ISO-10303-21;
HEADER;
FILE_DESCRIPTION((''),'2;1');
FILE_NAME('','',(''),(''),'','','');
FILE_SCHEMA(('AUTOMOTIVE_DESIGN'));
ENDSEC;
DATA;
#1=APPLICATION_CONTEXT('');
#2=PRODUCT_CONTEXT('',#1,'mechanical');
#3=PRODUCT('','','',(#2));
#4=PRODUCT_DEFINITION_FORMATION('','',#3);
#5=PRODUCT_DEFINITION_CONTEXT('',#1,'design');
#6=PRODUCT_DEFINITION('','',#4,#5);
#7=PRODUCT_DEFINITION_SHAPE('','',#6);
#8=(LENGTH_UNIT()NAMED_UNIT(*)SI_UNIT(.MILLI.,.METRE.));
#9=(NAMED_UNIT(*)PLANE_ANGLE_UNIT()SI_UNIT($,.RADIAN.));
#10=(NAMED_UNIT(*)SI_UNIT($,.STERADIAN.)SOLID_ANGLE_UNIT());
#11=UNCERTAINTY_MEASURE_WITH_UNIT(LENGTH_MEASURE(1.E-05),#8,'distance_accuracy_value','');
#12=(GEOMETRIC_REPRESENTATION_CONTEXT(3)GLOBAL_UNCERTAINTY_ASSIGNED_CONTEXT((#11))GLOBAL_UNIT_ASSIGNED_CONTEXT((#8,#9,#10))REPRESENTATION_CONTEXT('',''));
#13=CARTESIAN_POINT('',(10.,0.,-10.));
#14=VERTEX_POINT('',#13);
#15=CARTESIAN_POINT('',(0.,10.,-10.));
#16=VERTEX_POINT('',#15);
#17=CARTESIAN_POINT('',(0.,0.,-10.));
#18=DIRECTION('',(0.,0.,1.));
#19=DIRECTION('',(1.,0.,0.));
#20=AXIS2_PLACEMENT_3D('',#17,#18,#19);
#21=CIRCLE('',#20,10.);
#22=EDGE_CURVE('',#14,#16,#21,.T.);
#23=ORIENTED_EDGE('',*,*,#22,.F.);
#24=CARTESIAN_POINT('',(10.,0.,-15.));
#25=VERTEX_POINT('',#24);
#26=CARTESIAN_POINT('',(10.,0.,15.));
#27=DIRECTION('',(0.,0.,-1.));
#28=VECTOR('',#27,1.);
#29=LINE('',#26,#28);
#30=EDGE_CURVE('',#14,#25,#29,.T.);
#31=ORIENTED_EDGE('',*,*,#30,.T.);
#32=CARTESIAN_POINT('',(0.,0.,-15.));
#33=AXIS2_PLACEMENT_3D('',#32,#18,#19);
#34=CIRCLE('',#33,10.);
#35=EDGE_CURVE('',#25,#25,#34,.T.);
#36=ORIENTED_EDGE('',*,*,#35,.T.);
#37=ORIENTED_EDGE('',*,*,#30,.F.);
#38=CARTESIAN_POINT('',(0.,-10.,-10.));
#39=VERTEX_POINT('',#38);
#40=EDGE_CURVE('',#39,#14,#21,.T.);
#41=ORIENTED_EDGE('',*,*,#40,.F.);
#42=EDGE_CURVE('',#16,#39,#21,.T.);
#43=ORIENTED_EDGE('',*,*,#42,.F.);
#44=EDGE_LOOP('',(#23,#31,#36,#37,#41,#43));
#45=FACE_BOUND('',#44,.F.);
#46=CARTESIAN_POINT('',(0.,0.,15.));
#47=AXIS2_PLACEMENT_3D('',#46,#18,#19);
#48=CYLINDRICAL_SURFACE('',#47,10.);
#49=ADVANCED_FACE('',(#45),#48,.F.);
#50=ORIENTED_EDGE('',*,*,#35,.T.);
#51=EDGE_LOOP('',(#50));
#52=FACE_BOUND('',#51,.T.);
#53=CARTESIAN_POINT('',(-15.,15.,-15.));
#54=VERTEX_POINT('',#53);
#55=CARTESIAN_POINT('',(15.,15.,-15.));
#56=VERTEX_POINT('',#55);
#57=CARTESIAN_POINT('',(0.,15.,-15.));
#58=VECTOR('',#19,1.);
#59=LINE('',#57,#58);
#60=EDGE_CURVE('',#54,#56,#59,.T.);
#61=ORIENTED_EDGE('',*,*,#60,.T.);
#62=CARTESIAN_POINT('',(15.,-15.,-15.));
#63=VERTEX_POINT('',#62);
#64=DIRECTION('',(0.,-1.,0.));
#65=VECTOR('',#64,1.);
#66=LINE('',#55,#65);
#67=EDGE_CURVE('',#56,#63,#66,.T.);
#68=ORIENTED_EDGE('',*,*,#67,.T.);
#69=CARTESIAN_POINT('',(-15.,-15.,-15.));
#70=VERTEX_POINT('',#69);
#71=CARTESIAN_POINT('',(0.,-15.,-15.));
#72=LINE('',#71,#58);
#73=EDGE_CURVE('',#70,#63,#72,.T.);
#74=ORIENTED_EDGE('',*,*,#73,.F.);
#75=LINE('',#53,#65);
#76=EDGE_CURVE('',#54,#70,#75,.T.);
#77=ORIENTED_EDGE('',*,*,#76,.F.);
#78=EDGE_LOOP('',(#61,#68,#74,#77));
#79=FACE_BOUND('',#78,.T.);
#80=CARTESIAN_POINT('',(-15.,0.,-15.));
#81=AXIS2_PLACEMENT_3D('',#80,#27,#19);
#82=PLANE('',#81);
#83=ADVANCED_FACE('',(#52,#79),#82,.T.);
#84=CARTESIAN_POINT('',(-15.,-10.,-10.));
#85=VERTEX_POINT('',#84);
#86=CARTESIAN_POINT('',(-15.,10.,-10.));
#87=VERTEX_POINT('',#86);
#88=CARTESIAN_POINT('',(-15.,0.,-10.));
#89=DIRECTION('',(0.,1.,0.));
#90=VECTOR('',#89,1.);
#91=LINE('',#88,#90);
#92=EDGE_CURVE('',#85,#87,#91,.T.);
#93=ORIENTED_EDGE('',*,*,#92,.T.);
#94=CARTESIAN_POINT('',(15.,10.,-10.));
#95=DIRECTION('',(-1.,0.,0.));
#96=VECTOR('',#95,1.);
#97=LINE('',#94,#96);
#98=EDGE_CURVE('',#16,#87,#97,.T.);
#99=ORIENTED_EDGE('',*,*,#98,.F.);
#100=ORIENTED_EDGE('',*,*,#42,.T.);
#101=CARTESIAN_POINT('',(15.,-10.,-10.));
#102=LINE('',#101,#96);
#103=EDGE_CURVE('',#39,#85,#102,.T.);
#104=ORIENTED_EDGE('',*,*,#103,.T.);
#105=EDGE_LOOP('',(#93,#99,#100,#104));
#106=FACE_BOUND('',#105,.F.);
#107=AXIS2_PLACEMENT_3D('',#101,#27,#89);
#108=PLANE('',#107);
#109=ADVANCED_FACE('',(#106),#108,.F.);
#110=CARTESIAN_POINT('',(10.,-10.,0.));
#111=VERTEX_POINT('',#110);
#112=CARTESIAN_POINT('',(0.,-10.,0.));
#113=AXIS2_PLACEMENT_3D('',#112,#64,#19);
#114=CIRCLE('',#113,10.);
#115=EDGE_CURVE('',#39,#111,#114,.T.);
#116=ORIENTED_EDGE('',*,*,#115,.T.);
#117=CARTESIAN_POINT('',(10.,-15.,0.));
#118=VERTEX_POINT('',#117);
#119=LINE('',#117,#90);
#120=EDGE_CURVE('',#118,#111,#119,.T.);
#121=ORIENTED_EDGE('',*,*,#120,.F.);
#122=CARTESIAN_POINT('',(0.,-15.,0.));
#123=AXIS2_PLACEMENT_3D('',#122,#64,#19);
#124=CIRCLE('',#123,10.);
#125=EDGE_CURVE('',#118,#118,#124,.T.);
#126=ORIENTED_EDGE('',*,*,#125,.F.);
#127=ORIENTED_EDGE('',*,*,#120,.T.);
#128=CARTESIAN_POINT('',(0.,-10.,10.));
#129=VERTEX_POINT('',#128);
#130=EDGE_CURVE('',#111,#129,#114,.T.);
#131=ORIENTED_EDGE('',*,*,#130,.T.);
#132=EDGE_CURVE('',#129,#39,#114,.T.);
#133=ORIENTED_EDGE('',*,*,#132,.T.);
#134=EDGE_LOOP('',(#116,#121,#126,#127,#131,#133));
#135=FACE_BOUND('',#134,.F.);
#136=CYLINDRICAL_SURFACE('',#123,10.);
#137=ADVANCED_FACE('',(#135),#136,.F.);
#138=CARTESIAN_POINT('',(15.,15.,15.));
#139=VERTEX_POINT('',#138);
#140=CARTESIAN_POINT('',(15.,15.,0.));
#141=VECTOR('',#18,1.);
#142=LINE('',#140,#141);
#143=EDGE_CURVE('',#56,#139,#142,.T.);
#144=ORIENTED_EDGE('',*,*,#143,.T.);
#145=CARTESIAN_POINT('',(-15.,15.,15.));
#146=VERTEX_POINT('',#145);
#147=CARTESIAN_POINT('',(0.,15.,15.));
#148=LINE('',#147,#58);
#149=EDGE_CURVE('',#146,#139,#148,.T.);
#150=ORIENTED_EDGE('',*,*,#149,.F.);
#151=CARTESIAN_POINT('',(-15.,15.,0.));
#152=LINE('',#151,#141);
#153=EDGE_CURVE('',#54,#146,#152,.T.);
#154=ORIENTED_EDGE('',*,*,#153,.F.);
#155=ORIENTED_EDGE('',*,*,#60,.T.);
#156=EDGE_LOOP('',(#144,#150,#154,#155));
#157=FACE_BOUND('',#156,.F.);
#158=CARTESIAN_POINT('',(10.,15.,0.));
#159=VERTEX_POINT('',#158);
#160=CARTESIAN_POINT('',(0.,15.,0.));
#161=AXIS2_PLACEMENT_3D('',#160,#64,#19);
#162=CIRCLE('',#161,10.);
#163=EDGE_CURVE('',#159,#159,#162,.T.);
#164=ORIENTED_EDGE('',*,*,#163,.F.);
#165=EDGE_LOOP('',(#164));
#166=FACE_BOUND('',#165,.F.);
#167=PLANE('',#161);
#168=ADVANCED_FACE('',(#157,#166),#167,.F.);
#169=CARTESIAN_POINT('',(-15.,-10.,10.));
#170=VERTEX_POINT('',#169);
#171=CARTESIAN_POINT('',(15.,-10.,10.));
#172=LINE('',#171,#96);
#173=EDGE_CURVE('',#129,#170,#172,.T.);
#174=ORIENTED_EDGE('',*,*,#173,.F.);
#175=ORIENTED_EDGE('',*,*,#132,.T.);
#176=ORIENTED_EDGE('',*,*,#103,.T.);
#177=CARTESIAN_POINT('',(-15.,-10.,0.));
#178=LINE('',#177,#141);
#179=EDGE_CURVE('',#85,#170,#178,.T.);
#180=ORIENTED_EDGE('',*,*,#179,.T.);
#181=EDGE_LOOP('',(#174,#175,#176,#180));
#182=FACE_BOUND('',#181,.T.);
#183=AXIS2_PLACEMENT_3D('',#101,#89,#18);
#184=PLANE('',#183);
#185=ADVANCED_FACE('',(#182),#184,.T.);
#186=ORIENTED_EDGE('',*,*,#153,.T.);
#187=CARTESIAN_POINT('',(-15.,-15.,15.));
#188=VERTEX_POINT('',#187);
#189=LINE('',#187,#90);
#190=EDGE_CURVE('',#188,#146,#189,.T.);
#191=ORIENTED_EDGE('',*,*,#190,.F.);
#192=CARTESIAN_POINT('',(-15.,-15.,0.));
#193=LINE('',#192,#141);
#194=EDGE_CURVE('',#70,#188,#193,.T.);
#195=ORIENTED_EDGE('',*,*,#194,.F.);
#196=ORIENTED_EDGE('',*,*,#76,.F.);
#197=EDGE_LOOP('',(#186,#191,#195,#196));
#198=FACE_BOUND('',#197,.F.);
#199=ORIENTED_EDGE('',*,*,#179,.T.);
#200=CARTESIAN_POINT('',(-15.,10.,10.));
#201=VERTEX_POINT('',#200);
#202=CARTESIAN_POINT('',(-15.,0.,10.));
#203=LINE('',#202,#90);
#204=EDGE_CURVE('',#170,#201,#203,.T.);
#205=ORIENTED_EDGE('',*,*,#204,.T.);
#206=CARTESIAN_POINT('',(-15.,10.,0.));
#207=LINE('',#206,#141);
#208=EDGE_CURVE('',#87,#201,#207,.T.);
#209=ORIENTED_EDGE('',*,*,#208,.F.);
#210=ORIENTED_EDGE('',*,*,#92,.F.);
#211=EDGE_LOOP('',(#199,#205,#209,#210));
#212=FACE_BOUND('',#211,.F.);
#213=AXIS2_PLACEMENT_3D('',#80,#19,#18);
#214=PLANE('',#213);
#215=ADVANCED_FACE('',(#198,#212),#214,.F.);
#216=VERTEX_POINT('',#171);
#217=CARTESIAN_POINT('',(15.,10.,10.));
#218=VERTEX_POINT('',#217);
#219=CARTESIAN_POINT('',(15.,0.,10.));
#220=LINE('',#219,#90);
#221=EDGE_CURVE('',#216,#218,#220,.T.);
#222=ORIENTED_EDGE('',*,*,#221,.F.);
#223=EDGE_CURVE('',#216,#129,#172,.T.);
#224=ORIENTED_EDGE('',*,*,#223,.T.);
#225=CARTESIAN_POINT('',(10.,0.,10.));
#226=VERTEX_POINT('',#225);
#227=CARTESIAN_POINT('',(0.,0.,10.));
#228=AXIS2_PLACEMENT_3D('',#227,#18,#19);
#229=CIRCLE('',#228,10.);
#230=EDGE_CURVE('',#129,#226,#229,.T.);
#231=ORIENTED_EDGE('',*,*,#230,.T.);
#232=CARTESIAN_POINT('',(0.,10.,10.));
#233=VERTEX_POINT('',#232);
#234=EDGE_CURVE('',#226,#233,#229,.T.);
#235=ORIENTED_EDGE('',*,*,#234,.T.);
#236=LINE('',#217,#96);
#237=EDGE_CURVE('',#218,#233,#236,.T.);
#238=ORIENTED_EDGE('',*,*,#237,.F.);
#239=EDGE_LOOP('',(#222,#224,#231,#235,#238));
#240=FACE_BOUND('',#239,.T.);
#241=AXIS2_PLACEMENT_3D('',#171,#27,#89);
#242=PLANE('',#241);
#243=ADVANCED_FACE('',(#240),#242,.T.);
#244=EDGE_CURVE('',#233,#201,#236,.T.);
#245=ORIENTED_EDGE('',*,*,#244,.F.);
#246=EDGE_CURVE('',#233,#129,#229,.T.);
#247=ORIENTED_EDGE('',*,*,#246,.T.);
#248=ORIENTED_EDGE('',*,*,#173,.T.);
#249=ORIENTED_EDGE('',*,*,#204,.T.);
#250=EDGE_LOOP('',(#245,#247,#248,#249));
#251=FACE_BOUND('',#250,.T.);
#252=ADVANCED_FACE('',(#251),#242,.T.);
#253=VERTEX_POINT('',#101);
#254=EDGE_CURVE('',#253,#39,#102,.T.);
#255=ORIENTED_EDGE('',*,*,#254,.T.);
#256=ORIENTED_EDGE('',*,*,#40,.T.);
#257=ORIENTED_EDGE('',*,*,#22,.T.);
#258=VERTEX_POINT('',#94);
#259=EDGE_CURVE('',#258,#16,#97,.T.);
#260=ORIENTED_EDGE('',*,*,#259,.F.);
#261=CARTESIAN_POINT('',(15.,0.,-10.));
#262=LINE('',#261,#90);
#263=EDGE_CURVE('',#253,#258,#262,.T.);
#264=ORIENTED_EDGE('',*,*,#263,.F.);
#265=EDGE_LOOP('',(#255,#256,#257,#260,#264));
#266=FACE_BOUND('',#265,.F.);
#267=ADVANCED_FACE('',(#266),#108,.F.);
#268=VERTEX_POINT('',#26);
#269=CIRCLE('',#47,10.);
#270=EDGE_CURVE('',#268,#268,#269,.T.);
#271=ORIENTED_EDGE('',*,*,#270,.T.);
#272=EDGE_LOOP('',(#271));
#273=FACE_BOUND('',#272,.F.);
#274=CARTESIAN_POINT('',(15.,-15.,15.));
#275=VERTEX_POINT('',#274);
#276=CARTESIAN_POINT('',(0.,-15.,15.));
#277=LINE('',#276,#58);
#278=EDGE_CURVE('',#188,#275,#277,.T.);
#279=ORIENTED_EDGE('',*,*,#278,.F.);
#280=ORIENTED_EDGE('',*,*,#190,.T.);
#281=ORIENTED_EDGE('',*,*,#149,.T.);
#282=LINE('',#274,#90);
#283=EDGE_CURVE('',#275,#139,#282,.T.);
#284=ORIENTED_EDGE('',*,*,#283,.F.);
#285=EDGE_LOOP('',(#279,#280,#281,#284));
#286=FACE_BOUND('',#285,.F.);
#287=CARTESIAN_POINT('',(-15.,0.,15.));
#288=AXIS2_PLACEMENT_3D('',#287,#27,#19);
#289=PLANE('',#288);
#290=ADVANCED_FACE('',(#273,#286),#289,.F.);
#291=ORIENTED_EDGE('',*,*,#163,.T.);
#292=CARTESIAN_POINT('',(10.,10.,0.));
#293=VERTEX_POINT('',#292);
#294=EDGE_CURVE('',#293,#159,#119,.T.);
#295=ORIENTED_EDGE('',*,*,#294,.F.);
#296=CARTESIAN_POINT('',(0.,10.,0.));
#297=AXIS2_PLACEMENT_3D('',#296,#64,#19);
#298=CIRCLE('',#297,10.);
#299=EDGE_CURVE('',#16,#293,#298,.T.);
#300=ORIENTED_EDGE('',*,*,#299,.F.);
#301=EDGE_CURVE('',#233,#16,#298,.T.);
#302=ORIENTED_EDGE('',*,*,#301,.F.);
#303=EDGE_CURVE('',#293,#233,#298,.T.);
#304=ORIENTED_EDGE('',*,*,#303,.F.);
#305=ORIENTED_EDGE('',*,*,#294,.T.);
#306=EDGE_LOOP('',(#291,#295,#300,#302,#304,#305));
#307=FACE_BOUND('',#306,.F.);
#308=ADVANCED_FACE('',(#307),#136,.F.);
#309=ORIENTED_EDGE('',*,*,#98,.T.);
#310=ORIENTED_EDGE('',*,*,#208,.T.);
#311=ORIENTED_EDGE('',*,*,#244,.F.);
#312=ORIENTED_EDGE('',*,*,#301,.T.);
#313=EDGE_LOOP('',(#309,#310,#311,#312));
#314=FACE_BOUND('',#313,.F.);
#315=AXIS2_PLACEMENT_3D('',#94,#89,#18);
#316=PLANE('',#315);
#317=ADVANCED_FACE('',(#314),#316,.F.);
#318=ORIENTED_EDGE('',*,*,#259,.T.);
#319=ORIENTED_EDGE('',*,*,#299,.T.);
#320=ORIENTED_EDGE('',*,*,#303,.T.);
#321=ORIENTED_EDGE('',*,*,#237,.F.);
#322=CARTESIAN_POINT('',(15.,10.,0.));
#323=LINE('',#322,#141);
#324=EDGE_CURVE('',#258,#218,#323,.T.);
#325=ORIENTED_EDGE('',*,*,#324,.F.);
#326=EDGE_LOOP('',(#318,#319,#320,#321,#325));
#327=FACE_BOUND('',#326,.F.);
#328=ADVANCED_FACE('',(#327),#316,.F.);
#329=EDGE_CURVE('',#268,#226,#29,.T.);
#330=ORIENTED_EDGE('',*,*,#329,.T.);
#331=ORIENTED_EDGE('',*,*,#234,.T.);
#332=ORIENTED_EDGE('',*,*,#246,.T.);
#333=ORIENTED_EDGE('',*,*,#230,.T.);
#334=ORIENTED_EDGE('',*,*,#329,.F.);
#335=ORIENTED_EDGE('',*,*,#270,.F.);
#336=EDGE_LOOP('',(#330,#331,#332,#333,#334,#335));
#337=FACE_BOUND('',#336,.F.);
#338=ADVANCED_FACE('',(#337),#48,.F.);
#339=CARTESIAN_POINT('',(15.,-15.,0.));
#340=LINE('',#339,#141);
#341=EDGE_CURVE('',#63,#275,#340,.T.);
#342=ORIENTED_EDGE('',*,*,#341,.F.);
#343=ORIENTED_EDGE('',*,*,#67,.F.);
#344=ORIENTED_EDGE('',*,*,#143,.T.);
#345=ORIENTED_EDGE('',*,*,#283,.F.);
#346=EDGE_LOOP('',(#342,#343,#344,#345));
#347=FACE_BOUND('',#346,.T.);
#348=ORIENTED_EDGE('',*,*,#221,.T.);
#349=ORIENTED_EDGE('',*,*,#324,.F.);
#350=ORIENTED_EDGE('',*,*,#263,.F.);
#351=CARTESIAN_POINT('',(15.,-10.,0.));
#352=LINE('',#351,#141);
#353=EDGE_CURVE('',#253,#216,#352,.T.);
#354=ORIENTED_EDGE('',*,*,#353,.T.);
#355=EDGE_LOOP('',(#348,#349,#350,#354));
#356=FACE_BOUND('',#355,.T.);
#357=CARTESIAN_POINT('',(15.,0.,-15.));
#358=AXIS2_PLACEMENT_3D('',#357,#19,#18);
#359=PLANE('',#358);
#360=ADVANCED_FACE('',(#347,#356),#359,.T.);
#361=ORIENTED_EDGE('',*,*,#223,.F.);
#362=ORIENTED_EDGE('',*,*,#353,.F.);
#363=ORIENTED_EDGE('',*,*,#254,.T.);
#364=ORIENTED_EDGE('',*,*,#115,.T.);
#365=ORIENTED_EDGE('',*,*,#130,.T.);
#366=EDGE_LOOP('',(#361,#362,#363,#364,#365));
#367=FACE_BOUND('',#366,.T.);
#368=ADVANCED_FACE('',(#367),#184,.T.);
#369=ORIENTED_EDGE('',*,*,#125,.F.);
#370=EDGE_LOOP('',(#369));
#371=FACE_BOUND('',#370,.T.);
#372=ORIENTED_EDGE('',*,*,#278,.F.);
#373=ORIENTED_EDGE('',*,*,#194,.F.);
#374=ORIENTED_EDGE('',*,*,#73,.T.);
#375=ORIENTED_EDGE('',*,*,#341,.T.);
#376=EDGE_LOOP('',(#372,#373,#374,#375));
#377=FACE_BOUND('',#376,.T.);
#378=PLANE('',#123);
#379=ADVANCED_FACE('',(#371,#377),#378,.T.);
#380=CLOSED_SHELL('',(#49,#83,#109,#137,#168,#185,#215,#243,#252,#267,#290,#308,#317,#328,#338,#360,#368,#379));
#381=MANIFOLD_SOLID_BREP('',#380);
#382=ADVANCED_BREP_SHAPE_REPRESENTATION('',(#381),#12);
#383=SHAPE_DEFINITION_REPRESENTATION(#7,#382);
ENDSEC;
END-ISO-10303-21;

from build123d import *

# Parameters (mm, degrees)
F0_W     = 30
F0_H     = 30
F1_DEPTH = 15
F2_R     = 10
F3_DEPTH = 30
F4_R     = 10
F5_DEPTH = 30
F6_W     = 20
F6_H     = 20
F7_DEPTH = 30


with BuildPart() as f1:
    # F0 (on Front) → F1 (new body, symmetric)
    with BuildSketch(Plane.XZ):
        Rectangle(F0_W, F0_H)
    extrude(amount=F1_DEPTH, both=True)

    # F2 (on face) → F3 (cut)
    with BuildSketch(Plane.XY.offset(15)):
        Circle(F2_R)
    extrude(amount=-F3_DEPTH, mode=Mode.SUBTRACT)

    # F4 (on face) → F5 (cut)
    with BuildSketch(Plane.XZ.offset(15)):
        Circle(F4_R)
    extrude(amount=-F5_DEPTH, mode=Mode.SUBTRACT)

    # F6 (on face) → F7 (cut)
    with BuildSketch(Plane.YZ.offset(15)):
        Rectangle(F6_W, F6_H)
    extrude(amount=-F7_DEPTH, mode=Mode.SUBTRACT)


solid = f1.part
